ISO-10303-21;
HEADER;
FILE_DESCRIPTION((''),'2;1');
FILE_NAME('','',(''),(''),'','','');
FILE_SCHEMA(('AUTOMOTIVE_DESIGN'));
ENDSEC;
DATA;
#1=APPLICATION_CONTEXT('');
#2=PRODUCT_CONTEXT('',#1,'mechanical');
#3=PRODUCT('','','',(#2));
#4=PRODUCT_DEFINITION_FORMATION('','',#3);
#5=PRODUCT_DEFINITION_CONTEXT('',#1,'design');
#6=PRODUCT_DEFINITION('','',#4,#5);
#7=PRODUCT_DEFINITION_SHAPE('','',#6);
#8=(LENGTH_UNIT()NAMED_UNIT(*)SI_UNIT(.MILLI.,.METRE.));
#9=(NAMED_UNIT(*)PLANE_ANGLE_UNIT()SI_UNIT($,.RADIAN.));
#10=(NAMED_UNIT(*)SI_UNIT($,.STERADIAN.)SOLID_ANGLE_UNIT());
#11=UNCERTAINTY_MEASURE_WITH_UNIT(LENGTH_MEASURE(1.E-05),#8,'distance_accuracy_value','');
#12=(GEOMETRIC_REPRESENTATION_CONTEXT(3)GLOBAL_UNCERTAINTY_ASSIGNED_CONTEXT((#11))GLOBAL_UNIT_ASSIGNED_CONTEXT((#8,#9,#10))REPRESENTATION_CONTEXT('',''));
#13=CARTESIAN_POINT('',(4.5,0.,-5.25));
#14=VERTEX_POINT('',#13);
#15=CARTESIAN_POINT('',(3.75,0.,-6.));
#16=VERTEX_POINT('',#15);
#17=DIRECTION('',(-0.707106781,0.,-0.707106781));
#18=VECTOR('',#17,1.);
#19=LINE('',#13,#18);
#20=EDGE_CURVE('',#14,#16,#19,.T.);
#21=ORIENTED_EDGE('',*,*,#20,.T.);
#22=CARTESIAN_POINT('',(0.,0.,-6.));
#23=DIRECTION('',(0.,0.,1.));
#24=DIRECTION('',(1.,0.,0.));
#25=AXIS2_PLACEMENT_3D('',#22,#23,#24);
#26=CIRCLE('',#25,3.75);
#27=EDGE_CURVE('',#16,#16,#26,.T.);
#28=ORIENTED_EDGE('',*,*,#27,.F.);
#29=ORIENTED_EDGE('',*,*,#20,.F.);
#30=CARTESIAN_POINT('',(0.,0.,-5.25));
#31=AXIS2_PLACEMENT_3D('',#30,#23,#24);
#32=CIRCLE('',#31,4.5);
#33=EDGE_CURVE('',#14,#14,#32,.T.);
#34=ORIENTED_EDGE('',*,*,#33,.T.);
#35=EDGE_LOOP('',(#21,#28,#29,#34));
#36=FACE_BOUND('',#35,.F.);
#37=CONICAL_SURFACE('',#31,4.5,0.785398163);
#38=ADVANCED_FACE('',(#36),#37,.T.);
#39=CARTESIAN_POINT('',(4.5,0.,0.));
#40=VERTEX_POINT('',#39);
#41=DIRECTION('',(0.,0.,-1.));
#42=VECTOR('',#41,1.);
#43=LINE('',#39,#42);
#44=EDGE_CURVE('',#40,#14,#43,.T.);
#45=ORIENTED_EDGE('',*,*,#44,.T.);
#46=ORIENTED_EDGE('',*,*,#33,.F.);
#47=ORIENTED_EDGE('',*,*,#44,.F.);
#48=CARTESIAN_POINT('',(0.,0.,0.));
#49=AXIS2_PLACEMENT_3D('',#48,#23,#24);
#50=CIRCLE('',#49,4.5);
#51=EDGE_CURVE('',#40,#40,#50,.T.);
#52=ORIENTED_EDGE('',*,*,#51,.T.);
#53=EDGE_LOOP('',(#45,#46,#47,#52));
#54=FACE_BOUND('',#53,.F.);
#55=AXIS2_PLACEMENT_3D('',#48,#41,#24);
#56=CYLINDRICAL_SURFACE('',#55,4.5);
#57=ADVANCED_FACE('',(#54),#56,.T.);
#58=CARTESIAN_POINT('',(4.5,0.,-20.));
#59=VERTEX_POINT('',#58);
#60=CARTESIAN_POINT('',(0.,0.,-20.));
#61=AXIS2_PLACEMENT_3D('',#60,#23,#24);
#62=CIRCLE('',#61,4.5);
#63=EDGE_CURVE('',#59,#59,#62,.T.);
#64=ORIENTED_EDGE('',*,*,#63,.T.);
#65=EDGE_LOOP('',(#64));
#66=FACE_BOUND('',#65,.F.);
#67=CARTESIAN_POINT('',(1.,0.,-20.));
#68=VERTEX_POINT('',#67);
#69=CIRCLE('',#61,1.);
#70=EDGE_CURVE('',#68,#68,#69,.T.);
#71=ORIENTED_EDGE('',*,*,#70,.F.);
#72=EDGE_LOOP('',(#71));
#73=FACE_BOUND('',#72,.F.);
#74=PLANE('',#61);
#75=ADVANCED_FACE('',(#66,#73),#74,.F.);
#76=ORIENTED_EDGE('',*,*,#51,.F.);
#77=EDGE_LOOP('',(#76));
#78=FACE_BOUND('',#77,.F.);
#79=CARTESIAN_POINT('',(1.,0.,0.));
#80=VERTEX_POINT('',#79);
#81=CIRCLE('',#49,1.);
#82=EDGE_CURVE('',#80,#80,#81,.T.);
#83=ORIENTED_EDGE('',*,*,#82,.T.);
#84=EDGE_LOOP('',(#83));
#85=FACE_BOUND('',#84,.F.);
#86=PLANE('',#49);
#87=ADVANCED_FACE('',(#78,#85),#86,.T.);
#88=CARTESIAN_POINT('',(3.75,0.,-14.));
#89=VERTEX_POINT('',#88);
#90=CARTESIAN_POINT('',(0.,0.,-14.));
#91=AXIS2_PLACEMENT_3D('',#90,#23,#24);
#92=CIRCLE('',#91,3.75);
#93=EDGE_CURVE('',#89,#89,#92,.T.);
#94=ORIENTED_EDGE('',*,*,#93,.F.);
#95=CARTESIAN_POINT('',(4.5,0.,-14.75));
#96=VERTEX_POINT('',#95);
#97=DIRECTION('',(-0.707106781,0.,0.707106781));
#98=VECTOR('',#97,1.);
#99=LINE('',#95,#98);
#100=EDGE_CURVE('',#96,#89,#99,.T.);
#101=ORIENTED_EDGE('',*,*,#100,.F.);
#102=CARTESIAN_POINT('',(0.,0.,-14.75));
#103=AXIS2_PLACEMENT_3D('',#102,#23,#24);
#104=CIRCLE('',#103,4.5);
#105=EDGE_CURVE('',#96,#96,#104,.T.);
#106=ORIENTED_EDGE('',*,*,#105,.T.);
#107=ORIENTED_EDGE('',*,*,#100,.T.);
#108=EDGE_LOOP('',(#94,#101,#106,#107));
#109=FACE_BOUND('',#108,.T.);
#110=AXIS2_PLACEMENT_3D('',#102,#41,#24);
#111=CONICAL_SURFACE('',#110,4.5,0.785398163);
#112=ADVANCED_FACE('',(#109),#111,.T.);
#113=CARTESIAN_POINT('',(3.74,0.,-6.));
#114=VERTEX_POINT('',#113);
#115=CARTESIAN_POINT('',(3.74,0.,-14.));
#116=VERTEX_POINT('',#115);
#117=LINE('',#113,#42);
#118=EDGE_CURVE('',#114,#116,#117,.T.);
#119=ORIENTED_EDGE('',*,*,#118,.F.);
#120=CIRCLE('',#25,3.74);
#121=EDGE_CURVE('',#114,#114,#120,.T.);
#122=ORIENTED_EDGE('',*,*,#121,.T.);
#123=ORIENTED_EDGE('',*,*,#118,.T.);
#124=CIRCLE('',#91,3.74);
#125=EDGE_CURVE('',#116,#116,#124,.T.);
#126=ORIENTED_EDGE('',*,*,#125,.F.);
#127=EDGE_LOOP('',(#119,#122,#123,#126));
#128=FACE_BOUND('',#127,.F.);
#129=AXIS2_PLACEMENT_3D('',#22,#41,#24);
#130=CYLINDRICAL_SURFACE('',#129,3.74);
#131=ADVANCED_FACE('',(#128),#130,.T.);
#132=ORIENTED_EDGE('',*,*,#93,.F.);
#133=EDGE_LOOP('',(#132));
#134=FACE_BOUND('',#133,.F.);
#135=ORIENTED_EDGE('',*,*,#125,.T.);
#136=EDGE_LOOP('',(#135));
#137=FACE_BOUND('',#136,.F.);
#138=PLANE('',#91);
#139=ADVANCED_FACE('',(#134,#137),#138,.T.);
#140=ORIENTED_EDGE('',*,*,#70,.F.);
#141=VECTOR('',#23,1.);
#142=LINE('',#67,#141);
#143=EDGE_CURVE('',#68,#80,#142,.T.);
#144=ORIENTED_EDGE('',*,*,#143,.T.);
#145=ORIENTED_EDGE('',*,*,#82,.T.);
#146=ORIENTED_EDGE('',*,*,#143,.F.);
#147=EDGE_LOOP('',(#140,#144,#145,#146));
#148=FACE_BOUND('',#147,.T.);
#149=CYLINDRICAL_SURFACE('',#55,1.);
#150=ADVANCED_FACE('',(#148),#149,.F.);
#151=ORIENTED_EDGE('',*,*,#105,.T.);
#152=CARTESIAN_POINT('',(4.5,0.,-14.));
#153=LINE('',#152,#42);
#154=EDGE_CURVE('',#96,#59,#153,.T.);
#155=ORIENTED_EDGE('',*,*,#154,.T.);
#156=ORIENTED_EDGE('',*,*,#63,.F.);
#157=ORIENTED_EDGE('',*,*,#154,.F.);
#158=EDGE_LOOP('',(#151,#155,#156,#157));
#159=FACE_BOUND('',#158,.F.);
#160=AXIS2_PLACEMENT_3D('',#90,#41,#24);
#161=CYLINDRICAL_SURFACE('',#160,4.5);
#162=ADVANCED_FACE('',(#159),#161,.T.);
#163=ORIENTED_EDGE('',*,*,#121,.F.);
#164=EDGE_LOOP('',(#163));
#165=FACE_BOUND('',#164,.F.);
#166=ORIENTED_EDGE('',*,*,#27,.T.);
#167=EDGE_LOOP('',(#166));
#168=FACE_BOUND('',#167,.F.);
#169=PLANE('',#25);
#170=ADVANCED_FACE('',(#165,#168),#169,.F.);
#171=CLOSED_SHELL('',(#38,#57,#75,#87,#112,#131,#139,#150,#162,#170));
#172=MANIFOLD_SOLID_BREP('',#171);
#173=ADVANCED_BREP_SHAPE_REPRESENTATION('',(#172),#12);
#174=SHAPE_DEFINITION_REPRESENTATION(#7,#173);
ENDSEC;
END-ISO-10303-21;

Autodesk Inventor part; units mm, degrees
ref_plane "YZ Plane" through (0, 0, 0) normal (1, 0, 0) x (0, 1, 0)
ref_plane "XZ Plane" through (0, 0, 0) normal (0, 1, 0) x (-1, 0, 0)
ref_plane "XY Plane" through (0, 0, 0) normal (0, 0, 1) x (1, 0, 0)
sketch "Sketch2" plane through (0, 0, 0) normal (0, 1, 0) x (-1, 0, 0)
  line L0 (0, 0) -> (-4.5, 0)
  line L1 (-4.5, 0) -> (-4.5, -6)
  line L2 (-4.5, -6) -> (0, -6)
  line L3 (0, -6) -> (0, 0)
  line L4 (0, -6) -> (-3.74, -6)
  line L5 (-3.74, -6) -> (-3.74, -14)
  line L6 (-3.74, -14) -> (0, -14)
  line L7 (0, -14) -> (0, -6)
  line L8 (0, -14) -> (-4.5, -14)
  line L9 (-4.5, -14) -> (-4.5, -20)
  line L10 (-4.5, -20) -> (0, -20)
  line L11 (0, -20) -> (0, -14)
  line L12 (0, 0) -> (-1, 0)
  line L13 (-1, 0) -> (-1, -20)
  line L14 (-1, -20) -> (0, -20)
  line L15 (0, -20) -> (0, 0)
  dimension "d0" = 1
  dimension "d1" = 6
  dimension "d2" = 4.5
  dimension "d3" = 20
  dimension "d4" = 6
  dimension "d6" = 4.5
revolve "Revolution1" add sketch "Sketch2" angle 360 about axis through (0, 0, -20) along (0, 0, 1)
revolve "Revolution2" cut sketch "Sketch2" angle 360 about axis through (0, 0, -6) along (0, 0, 1) contours L3 L2 L13 L0 | L7 L6 L13 L2 | L11 L10 L13 L6
chamfer "Chamfer1" distance 0.75 angle 45 2 edges at (-4.5, 0, -14) (-4.5, 0, -6)
equation "\"d4\" = d1"
equation "\"d6\" = d2"
properties part number "ShaftCoupler" material "Brass, Soft Yellow, Welded"
